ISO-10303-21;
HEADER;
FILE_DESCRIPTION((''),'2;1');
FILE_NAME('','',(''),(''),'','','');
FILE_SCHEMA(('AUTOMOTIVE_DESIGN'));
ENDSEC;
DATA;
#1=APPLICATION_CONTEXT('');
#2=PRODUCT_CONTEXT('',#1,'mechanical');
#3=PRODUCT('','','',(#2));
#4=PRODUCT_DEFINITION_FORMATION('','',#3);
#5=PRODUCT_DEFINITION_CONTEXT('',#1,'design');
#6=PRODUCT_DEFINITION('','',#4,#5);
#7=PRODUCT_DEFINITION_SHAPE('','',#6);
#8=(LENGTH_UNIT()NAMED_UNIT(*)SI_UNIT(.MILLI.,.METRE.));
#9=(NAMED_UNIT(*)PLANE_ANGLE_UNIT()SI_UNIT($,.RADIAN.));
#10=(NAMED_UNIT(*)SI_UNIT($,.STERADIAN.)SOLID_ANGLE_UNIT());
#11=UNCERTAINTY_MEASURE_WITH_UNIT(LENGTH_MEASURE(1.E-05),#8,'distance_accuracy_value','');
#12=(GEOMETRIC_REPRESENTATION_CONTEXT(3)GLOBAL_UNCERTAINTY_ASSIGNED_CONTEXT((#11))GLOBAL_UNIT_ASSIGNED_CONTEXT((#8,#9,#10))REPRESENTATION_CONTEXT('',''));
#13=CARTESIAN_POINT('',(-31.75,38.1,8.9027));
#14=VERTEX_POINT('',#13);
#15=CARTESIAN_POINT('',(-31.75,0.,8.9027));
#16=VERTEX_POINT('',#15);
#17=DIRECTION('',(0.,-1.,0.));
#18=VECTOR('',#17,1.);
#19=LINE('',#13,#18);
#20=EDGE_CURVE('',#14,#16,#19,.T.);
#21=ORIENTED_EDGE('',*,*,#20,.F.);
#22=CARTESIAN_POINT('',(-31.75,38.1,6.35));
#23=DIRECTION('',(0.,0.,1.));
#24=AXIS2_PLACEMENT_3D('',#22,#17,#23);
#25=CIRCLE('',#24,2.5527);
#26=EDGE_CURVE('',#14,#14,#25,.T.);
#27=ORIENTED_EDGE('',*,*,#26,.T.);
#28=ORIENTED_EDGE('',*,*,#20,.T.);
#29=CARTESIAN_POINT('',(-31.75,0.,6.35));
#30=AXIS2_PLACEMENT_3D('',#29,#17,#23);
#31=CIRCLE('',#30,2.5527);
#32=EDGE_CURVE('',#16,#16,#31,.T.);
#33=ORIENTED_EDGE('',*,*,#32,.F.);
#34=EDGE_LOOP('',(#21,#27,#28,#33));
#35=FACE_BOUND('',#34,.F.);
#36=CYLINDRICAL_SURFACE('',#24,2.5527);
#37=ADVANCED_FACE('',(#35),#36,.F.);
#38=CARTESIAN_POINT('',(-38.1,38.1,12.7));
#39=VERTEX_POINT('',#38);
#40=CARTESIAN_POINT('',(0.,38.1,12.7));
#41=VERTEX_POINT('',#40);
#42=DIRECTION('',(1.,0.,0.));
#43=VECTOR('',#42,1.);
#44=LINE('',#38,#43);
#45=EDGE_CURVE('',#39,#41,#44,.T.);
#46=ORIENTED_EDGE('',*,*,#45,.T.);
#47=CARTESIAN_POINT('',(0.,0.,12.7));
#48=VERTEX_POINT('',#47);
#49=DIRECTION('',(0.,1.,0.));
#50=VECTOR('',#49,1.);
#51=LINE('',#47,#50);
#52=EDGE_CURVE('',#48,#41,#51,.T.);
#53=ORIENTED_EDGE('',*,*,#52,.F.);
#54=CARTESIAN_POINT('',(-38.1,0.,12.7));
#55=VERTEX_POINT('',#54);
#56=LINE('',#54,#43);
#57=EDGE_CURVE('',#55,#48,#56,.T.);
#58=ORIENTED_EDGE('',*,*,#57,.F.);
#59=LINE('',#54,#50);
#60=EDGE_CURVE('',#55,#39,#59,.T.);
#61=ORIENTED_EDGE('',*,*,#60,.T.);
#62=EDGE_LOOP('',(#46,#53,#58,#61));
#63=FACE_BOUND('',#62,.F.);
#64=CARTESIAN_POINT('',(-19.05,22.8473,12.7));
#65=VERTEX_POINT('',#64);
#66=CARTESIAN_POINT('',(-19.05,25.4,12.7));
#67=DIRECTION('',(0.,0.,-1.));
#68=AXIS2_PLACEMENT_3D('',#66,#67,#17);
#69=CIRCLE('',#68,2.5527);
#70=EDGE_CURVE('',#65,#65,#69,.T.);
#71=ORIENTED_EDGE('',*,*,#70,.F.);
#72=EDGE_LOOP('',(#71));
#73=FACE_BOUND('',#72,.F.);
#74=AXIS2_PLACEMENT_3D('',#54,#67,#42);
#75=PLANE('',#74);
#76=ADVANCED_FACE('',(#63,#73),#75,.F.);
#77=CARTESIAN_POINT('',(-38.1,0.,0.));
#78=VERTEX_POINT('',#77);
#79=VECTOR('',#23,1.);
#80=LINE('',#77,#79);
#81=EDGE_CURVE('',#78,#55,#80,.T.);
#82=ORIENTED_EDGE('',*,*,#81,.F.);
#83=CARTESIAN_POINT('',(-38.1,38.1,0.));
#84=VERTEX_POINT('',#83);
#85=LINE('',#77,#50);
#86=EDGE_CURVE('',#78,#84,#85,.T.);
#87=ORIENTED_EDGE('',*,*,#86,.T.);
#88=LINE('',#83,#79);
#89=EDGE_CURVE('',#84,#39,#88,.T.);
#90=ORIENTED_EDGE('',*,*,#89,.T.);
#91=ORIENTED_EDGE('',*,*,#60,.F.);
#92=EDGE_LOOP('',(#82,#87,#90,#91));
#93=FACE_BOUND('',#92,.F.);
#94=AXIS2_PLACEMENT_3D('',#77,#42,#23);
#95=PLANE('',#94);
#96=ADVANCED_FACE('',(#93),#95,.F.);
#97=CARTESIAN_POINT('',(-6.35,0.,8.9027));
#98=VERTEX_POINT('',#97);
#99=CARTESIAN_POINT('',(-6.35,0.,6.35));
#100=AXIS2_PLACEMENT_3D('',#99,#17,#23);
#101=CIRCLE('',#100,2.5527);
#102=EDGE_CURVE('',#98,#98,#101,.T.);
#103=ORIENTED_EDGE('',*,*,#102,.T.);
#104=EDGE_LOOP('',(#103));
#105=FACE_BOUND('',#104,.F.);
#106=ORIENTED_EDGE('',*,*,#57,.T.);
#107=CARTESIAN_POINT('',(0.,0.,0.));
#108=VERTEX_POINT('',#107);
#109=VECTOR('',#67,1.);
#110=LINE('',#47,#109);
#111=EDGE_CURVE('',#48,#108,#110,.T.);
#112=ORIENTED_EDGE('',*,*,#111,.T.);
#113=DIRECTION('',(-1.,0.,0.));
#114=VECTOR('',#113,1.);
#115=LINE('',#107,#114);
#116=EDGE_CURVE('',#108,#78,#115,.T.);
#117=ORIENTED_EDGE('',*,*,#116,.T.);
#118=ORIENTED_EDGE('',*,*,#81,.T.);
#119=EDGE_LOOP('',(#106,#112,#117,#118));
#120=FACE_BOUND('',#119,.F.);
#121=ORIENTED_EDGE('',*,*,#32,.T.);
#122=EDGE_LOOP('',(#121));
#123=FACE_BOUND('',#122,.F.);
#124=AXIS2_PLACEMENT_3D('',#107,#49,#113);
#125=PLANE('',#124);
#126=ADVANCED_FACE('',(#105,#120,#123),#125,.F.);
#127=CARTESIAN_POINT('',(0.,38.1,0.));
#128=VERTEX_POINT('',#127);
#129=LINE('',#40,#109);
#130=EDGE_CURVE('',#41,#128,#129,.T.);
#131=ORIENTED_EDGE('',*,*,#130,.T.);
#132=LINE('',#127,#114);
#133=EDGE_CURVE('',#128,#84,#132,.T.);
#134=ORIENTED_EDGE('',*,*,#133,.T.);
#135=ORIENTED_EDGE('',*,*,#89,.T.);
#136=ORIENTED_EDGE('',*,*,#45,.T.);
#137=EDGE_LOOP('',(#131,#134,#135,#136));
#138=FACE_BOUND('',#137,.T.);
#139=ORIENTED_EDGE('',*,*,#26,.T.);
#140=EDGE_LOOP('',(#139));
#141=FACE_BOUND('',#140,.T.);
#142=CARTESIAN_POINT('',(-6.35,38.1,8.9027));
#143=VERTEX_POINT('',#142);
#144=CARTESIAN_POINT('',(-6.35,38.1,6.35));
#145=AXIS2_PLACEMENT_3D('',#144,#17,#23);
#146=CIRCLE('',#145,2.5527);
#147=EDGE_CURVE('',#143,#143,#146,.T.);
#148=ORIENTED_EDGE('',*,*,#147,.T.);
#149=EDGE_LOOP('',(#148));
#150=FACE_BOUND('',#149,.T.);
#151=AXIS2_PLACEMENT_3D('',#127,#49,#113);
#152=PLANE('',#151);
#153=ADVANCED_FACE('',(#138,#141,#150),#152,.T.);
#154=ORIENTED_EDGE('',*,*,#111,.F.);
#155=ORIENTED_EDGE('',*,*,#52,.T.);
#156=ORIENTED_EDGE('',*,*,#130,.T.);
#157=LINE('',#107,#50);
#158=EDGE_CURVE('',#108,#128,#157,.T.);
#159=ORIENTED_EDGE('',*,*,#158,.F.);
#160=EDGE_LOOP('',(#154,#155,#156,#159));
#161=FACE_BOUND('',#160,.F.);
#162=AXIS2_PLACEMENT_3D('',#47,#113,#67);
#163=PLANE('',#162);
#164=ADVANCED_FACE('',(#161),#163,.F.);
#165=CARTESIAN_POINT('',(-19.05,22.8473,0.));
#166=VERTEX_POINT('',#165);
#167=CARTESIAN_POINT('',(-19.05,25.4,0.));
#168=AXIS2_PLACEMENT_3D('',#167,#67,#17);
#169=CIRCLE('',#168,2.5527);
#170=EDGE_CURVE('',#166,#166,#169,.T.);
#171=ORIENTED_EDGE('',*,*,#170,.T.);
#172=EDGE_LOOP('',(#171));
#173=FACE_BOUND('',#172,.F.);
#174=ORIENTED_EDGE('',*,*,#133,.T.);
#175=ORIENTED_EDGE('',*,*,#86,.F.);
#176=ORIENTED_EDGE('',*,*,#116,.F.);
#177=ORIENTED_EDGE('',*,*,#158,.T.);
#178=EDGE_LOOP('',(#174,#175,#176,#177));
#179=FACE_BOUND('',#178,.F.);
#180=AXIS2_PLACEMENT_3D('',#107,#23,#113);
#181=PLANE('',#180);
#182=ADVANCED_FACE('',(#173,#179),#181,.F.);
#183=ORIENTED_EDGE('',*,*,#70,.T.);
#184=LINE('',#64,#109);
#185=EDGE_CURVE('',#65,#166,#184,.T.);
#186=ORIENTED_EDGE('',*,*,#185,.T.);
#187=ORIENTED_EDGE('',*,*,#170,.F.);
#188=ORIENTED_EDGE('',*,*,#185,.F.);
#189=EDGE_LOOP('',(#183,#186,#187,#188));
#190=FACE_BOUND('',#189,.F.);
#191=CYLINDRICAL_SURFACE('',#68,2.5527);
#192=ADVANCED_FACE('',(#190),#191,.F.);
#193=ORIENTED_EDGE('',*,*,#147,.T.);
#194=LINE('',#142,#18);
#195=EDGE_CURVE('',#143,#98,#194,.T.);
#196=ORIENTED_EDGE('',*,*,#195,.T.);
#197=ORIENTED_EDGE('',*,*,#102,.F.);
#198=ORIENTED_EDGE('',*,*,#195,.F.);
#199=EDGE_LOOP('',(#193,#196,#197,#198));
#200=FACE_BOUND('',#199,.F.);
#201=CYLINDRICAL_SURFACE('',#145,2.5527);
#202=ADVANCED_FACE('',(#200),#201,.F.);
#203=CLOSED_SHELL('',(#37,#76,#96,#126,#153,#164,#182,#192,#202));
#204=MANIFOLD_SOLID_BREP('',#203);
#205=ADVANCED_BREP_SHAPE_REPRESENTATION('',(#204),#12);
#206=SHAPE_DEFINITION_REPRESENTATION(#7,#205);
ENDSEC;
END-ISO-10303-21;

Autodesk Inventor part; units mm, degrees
ref_plane "YZ Plane" through (0, 0, 0) normal (1, 0, 0) x (0, 1, 0)
ref_plane "XZ Plane" through (0, 0, 0) normal (0, 1, 0) x (-1, 0, 0)
ref_plane "XY Plane" through (0, 0, 0) normal (0, 0, 1) x (1, 0, 0)
sketch "Sketch1" plane through (0, 0, 0) normal (0, 1, 0) x (-1, 0, 0)
  line L0 (0, 0) -> (38.1, 0)
  line L1 (38.1, 0) -> (38.1, 12.7)
  line L2 (38.1, 12.7) -> (0, 12.7)
  line L3 (0, 12.7) -> (0, 0)
  dimension "d0" = 38.1
  dimension "d1" = 12.7
extrude "Extrusion1" add sketch "Sketch1" along normal blind 38.1
sketch "Sketch2" plane through (0, 38.1, 0) normal (0, 1, 0) x (1, 0, 0)
  line L0 (0, 0) -> (-38.1, 0) projected
  line L1 (-38.1, -12.7) -> (0, -12.7) projected
  line L2 (-19.05, 0) -> (-19.05, -12.7) construction
  circle A0 centre (-31.75, -6.35) radius 3.7798
  circle A1 centre (-6.35, -6.35) radius 3.7798
  dimension "d4" = 12.7
hole "Hole1" at (-31.75, 38.1, 6.35) at (-6.35, 38.1, 6.35) direction (0, -1, 0) diameter 5.1054 end through all clearance for "Flat Head Machine Screw (82)" size "#10" standard "Ansi Unified Screw Threads"
sketch "Sketch3" plane through (-38.1, 0, 12.7) normal (0, 0, 1) x (1, 0, 0)
  line L0 (0, 38.1) -> (38.1, 38.1) projected
  circle A0 centre (19.05, 25.4) radius 3.652
  dimension "d12" = 12.7
hole "Hole2" at (-19.05, 25.4, 12.7) direction (0, 0, -1) diameter 5.1054 end through all clearance for "Flat Head Machine Screw (82)" size "#10" standard "Ansi Unified Screw Threads"
properties part number "hubjig_tab" material "Wood (Cherry)"
